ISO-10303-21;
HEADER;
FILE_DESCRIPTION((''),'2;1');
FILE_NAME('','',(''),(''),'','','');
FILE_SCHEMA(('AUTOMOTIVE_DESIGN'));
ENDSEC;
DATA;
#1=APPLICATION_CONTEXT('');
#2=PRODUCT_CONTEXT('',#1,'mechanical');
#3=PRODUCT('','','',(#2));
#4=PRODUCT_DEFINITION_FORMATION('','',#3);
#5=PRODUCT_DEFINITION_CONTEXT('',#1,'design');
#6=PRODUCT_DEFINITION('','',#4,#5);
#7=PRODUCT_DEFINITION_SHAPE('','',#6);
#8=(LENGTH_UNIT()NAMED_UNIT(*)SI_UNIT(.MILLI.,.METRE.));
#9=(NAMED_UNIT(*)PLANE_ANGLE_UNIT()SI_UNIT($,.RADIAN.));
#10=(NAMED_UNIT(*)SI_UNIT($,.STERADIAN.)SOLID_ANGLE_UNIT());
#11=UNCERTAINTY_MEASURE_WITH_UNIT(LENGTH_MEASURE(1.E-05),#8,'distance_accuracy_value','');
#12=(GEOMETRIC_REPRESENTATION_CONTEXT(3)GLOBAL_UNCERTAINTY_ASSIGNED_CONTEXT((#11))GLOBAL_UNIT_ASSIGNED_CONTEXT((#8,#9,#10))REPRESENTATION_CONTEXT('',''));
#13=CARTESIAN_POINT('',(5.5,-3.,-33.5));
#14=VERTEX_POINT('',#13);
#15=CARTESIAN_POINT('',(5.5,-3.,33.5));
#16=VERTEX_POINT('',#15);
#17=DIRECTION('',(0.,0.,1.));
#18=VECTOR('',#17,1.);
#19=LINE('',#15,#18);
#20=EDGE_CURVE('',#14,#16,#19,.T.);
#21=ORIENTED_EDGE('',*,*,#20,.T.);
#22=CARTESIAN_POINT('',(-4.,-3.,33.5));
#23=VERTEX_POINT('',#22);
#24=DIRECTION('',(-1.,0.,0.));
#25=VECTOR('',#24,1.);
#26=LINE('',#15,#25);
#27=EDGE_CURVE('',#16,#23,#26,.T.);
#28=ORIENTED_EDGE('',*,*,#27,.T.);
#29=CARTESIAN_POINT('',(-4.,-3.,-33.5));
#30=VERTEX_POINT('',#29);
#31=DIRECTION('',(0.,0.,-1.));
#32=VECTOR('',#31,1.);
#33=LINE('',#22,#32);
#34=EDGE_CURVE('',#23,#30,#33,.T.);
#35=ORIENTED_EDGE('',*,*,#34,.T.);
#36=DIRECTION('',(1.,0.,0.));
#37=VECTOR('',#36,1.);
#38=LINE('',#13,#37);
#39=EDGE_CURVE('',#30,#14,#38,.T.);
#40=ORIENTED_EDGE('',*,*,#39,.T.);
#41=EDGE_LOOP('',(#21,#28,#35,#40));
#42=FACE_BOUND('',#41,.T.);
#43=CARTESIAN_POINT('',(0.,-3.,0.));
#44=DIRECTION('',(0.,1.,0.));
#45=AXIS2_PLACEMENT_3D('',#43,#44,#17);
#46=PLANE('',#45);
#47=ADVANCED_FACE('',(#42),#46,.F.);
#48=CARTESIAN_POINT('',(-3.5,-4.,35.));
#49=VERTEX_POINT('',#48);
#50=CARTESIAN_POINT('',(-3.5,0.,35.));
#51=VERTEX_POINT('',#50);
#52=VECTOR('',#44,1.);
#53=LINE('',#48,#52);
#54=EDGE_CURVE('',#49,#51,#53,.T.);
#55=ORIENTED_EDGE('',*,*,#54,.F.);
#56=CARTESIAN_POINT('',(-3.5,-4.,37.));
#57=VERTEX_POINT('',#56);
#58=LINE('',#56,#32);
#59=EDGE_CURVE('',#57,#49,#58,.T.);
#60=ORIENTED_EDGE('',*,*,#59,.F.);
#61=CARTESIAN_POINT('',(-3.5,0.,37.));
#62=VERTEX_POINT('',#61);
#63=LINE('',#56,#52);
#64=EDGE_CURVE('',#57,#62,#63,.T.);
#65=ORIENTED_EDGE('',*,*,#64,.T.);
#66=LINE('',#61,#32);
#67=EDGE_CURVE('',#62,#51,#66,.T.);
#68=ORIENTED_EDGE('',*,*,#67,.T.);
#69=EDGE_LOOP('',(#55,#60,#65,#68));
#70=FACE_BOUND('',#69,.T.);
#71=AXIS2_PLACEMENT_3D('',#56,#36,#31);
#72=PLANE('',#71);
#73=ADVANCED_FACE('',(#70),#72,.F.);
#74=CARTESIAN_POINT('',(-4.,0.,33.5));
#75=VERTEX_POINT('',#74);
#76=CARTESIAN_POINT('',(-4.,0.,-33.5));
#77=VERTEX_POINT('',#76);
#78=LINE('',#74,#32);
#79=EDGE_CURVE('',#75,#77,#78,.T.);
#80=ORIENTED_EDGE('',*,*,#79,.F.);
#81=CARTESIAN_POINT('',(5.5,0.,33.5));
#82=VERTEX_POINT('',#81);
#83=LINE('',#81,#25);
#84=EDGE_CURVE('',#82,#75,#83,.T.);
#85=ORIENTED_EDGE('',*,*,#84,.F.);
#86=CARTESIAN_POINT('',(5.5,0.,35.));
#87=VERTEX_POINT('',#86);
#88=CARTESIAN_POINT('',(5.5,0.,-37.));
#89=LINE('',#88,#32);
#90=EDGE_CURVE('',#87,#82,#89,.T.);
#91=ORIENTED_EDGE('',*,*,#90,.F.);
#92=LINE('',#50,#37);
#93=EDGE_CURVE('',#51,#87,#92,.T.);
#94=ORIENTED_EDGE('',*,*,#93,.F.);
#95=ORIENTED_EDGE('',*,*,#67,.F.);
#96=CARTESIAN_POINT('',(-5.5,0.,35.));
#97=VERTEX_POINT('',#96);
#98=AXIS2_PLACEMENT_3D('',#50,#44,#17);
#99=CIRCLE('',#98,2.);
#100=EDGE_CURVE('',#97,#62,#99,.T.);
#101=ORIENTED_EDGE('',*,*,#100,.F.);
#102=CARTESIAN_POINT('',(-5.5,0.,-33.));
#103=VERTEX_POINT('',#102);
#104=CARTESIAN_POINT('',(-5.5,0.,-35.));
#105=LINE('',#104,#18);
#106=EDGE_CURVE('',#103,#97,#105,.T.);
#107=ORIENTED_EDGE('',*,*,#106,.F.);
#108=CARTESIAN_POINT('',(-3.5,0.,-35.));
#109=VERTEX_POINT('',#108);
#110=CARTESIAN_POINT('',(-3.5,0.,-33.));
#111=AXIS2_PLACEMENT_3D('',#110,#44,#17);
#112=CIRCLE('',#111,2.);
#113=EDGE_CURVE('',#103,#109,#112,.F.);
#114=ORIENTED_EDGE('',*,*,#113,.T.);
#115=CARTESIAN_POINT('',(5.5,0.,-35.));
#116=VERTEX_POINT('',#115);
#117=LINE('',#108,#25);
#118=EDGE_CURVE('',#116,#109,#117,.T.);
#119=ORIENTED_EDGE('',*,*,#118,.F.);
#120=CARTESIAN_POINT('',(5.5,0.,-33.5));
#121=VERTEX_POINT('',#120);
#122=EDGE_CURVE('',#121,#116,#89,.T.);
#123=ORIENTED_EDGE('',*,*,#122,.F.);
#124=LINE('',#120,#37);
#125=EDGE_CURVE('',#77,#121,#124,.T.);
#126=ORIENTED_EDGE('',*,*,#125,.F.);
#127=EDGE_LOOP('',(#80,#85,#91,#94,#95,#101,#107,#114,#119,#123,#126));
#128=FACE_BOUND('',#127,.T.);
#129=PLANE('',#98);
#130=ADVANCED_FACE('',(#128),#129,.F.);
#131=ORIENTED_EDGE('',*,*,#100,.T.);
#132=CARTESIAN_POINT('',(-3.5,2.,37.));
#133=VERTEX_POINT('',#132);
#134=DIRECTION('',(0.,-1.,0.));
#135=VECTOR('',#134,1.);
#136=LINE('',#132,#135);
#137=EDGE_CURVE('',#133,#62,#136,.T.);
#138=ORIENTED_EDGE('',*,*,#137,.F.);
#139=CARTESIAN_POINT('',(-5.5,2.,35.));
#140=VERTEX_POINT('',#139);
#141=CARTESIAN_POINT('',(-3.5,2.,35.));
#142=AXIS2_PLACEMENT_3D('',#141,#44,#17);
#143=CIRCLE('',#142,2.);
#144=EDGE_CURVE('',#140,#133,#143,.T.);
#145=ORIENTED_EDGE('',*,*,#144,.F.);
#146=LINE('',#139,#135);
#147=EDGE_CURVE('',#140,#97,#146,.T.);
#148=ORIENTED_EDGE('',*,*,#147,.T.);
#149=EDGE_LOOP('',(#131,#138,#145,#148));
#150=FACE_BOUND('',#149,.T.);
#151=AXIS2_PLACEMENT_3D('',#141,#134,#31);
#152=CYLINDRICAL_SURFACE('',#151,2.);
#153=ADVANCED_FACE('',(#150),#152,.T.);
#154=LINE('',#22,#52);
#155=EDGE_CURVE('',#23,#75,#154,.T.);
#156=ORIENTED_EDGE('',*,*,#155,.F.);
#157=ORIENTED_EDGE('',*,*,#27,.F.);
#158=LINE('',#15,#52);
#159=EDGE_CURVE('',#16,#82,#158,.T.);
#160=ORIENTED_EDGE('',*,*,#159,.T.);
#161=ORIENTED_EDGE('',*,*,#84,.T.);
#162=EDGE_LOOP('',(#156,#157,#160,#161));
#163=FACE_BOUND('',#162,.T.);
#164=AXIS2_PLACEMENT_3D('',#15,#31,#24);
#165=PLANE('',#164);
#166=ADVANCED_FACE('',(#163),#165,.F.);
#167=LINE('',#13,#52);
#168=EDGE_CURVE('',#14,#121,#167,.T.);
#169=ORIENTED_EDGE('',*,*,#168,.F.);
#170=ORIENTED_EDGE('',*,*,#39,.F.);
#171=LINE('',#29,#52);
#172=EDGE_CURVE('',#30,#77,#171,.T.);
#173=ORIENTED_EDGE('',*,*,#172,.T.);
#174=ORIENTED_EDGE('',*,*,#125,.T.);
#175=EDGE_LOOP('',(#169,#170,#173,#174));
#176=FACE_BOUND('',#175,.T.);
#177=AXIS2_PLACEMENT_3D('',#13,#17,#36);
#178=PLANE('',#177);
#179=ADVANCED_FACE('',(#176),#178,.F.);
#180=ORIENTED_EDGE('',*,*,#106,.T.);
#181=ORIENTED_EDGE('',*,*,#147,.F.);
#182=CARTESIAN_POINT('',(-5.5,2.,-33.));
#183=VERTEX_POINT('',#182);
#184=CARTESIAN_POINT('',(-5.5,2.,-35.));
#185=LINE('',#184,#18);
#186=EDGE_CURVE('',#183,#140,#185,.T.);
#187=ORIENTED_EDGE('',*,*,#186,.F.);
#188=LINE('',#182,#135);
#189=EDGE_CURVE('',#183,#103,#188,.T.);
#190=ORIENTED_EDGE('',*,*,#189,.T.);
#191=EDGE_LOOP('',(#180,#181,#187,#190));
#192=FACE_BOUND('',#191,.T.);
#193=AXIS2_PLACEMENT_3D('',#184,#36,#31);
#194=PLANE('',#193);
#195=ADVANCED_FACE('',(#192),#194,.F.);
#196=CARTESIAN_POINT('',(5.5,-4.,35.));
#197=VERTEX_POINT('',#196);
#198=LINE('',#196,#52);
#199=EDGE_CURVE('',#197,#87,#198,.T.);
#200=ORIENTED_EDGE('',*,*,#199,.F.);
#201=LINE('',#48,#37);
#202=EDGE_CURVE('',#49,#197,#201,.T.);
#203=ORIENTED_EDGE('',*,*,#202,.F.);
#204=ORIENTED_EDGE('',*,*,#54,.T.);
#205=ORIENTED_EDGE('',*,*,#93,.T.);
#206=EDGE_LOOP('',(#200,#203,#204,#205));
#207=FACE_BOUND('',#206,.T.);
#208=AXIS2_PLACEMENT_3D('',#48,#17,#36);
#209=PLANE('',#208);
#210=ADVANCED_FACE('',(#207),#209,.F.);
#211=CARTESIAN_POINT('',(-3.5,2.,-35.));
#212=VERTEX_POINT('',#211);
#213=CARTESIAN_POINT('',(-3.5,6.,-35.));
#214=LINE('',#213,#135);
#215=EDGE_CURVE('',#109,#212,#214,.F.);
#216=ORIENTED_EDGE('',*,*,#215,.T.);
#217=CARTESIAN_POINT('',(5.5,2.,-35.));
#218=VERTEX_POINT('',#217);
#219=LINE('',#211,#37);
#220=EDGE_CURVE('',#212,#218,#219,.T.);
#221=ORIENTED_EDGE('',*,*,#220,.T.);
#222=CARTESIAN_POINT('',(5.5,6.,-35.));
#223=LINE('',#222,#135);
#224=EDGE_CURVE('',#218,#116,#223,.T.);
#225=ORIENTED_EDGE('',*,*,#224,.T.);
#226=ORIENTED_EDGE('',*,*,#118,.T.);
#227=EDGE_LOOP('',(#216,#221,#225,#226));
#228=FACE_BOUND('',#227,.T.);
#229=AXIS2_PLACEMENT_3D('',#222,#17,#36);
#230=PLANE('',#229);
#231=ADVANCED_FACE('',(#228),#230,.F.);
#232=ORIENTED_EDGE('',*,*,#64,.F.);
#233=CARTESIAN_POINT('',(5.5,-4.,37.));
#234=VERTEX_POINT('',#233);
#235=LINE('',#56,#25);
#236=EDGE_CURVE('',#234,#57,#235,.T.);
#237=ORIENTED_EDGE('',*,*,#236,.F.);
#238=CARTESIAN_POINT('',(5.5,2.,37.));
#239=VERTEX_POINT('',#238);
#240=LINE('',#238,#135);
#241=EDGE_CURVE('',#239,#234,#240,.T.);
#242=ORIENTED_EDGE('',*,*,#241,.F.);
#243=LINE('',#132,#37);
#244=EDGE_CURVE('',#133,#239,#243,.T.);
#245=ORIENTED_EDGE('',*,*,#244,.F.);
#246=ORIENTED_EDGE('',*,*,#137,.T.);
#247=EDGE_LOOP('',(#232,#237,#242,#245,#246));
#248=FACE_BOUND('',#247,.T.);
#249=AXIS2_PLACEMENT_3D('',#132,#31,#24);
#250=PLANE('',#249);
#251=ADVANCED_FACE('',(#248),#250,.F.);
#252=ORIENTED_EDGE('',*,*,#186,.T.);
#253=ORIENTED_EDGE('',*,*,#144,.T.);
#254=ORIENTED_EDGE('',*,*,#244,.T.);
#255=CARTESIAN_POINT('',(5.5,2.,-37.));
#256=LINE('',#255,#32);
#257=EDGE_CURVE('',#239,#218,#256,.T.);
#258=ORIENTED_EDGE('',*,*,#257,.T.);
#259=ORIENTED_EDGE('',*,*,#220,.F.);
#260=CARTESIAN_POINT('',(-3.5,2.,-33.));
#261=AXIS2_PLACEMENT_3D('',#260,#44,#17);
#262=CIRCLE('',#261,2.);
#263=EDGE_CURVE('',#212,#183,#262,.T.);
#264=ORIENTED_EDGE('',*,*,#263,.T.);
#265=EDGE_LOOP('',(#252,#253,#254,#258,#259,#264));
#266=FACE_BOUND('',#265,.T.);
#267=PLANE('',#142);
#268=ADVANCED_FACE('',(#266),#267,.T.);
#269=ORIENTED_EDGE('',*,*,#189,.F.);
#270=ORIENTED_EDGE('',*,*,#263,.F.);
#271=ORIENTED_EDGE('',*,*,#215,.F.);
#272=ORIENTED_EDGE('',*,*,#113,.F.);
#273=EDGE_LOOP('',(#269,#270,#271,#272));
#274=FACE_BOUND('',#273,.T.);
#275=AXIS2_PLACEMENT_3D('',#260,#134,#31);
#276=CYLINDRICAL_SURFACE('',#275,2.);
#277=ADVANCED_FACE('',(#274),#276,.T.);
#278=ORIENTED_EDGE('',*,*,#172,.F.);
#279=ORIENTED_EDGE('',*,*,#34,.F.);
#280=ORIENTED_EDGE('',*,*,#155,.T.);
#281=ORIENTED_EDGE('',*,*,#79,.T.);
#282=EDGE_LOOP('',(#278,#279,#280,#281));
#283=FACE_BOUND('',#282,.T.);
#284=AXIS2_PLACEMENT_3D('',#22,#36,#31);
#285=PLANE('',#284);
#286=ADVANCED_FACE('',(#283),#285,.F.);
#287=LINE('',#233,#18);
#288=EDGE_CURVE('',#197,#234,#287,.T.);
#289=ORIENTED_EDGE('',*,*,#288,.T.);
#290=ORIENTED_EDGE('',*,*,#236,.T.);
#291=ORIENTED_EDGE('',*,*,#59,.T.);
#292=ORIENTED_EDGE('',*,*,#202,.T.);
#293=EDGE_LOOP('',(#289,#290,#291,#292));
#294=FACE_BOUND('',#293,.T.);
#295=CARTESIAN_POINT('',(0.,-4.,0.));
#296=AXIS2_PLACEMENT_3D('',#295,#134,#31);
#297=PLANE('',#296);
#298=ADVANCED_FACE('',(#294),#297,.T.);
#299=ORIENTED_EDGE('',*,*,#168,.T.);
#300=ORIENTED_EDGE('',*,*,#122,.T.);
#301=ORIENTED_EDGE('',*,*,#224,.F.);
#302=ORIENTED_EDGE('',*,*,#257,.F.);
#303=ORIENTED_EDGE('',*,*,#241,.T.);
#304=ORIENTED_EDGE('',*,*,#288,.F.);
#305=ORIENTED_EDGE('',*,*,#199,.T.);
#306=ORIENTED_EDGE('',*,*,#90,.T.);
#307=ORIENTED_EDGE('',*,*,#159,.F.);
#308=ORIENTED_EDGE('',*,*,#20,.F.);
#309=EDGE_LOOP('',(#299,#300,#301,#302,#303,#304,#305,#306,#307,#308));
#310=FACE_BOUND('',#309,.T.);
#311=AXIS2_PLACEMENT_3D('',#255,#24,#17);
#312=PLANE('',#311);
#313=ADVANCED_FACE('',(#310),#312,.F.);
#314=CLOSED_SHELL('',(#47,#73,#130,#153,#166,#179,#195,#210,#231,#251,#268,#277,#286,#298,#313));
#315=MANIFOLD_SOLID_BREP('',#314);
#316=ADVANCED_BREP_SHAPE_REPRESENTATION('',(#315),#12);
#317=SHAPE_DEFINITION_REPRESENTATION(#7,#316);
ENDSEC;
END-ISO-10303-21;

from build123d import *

# Parameters (mm, degrees)
EXTRUDE_1_DEPTH     = 2
SKETCH_2_W          = 9
SKETCH_2_H          = 2
EXTRUDE_2_DEPTH     = 4
SKETCH_3_W          = 9.5
SKETCH_3_H          = 67
EXTRUDE_3_DEPTH     = 3
SKETCH_4_W          = 16.00447387
SKETCH_4_H          = 2
CUT_EXTRUDE_1_DEPTH = 10
FILLET_1_R          = 2


with BuildPart() as part:
    # 草图1 → 凸台-拉伸1 (new body)
    with BuildSketch(Plane(origin=(0, 0, 0), x_dir=(1, 0, 0), z_dir=(0, 1, 0))):
        with BuildLine():
            Line((-3.5, 37), (5.5, 37))
            Line((5.5, 37), (5.5, -37))
            Line((5.5, -37), (-3.5, -37))
            ThreePointArc((-3.5, -37), (-4.914213562, -36.414213562), (-5.5, -35))
            Line((-5.5, -35), (-5.5, 35))
            ThreePointArc((-5.5, 35), (-4.914213562, 36.414213562), (-3.5, 37))
        make_face()
    extrude(amount=EXTRUDE_1_DEPTH)

    # 草图2 → 凸台-拉伸2 (add)
    with BuildSketch(Plane.XZ):
        with Locations((1, 36)):
            Rectangle(SKETCH_2_W, SKETCH_2_H)
        with Locations((1, -36)):
            Rectangle(SKETCH_2_W, SKETCH_2_H)
    extrude(amount=EXTRUDE_2_DEPTH)

    # 草图3 → 凸台-拉伸3 (add)
    with BuildSketch(Plane.XZ):
        with Locations((0.75, 0)):
            Rectangle(SKETCH_3_W, SKETCH_3_H)
    extrude(amount=EXTRUDE_3_DEPTH)

    # 草图4 → 切除-拉伸1 (cut)
    with BuildSketch(Plane.XZ.offset(4)):
        with Locations((-2.502236935, -36)):
            Rectangle(SKETCH_4_W, SKETCH_4_H)
    extrude(amount=-CUT_EXTRUDE_1_DEPTH, mode=Mode.SUBTRACT)

    # 圆角1
    fillet_1_edges = [part.edges().sort_by_distance(p)[0] for p in [
        (-5.5, 1, -35),
    ]]
    fillet(fillet_1_edges, radius=FILLET_1_R)


solid = part.part
